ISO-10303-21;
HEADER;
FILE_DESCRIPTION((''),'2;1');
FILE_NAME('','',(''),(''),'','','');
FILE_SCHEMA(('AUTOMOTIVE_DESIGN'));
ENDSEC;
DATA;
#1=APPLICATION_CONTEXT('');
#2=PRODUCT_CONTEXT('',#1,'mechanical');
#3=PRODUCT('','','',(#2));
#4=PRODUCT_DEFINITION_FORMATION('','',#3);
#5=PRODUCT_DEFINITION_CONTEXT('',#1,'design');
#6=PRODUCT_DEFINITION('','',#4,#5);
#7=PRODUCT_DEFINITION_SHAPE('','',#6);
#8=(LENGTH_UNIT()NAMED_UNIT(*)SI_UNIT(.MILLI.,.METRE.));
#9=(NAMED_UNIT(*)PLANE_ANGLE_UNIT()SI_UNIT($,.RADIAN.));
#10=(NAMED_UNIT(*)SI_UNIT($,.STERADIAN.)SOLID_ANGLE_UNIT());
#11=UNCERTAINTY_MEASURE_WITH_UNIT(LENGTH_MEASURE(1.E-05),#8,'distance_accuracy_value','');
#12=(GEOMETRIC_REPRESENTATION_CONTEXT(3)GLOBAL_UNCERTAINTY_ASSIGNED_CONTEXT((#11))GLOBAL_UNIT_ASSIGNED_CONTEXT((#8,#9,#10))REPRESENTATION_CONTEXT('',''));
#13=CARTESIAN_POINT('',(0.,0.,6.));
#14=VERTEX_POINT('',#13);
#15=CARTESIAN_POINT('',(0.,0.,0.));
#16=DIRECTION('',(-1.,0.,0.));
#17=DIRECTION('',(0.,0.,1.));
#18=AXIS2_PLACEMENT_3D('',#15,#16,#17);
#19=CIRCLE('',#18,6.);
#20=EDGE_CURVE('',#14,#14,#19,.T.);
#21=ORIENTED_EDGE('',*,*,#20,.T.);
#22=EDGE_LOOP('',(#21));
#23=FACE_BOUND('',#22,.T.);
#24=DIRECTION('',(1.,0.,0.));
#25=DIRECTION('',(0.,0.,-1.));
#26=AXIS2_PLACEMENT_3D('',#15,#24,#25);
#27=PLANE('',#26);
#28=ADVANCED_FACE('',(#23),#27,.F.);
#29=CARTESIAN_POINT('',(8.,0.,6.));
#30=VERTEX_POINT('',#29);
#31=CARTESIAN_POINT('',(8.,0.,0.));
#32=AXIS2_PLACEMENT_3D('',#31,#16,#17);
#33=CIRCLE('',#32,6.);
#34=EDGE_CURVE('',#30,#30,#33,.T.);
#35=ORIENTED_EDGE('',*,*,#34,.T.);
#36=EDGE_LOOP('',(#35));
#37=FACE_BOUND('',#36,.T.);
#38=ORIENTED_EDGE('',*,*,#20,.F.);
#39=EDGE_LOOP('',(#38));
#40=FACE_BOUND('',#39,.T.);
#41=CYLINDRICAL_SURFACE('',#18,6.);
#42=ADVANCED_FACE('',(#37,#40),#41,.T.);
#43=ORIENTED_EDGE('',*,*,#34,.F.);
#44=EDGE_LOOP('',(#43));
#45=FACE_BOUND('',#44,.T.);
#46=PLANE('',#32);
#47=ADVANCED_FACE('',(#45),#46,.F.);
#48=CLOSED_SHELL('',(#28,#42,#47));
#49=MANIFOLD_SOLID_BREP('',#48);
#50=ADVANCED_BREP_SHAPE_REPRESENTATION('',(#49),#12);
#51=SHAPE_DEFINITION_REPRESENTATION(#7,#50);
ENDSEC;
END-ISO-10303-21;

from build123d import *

# Parameters (mm, degrees)
SKETCH_1_W = 8
SKETCH_1_H = 6


with BuildPart() as part:
    # Эскиз1 → Повернуть1 (revolve)
    with BuildSketch(Plane.XY, mode=Mode.PRIVATE) as revolve_1_sk:
        with Locations((4, 3)):
            Rectangle(SKETCH_1_W, SKETCH_1_H)
    revolve(revolve_1_sk.sketch.rotate(Axis((0, 0, 0), (1, 0, 0)), 90), axis=Axis((0, 0, 0), (1, 0, 0)))


solid = part.part
